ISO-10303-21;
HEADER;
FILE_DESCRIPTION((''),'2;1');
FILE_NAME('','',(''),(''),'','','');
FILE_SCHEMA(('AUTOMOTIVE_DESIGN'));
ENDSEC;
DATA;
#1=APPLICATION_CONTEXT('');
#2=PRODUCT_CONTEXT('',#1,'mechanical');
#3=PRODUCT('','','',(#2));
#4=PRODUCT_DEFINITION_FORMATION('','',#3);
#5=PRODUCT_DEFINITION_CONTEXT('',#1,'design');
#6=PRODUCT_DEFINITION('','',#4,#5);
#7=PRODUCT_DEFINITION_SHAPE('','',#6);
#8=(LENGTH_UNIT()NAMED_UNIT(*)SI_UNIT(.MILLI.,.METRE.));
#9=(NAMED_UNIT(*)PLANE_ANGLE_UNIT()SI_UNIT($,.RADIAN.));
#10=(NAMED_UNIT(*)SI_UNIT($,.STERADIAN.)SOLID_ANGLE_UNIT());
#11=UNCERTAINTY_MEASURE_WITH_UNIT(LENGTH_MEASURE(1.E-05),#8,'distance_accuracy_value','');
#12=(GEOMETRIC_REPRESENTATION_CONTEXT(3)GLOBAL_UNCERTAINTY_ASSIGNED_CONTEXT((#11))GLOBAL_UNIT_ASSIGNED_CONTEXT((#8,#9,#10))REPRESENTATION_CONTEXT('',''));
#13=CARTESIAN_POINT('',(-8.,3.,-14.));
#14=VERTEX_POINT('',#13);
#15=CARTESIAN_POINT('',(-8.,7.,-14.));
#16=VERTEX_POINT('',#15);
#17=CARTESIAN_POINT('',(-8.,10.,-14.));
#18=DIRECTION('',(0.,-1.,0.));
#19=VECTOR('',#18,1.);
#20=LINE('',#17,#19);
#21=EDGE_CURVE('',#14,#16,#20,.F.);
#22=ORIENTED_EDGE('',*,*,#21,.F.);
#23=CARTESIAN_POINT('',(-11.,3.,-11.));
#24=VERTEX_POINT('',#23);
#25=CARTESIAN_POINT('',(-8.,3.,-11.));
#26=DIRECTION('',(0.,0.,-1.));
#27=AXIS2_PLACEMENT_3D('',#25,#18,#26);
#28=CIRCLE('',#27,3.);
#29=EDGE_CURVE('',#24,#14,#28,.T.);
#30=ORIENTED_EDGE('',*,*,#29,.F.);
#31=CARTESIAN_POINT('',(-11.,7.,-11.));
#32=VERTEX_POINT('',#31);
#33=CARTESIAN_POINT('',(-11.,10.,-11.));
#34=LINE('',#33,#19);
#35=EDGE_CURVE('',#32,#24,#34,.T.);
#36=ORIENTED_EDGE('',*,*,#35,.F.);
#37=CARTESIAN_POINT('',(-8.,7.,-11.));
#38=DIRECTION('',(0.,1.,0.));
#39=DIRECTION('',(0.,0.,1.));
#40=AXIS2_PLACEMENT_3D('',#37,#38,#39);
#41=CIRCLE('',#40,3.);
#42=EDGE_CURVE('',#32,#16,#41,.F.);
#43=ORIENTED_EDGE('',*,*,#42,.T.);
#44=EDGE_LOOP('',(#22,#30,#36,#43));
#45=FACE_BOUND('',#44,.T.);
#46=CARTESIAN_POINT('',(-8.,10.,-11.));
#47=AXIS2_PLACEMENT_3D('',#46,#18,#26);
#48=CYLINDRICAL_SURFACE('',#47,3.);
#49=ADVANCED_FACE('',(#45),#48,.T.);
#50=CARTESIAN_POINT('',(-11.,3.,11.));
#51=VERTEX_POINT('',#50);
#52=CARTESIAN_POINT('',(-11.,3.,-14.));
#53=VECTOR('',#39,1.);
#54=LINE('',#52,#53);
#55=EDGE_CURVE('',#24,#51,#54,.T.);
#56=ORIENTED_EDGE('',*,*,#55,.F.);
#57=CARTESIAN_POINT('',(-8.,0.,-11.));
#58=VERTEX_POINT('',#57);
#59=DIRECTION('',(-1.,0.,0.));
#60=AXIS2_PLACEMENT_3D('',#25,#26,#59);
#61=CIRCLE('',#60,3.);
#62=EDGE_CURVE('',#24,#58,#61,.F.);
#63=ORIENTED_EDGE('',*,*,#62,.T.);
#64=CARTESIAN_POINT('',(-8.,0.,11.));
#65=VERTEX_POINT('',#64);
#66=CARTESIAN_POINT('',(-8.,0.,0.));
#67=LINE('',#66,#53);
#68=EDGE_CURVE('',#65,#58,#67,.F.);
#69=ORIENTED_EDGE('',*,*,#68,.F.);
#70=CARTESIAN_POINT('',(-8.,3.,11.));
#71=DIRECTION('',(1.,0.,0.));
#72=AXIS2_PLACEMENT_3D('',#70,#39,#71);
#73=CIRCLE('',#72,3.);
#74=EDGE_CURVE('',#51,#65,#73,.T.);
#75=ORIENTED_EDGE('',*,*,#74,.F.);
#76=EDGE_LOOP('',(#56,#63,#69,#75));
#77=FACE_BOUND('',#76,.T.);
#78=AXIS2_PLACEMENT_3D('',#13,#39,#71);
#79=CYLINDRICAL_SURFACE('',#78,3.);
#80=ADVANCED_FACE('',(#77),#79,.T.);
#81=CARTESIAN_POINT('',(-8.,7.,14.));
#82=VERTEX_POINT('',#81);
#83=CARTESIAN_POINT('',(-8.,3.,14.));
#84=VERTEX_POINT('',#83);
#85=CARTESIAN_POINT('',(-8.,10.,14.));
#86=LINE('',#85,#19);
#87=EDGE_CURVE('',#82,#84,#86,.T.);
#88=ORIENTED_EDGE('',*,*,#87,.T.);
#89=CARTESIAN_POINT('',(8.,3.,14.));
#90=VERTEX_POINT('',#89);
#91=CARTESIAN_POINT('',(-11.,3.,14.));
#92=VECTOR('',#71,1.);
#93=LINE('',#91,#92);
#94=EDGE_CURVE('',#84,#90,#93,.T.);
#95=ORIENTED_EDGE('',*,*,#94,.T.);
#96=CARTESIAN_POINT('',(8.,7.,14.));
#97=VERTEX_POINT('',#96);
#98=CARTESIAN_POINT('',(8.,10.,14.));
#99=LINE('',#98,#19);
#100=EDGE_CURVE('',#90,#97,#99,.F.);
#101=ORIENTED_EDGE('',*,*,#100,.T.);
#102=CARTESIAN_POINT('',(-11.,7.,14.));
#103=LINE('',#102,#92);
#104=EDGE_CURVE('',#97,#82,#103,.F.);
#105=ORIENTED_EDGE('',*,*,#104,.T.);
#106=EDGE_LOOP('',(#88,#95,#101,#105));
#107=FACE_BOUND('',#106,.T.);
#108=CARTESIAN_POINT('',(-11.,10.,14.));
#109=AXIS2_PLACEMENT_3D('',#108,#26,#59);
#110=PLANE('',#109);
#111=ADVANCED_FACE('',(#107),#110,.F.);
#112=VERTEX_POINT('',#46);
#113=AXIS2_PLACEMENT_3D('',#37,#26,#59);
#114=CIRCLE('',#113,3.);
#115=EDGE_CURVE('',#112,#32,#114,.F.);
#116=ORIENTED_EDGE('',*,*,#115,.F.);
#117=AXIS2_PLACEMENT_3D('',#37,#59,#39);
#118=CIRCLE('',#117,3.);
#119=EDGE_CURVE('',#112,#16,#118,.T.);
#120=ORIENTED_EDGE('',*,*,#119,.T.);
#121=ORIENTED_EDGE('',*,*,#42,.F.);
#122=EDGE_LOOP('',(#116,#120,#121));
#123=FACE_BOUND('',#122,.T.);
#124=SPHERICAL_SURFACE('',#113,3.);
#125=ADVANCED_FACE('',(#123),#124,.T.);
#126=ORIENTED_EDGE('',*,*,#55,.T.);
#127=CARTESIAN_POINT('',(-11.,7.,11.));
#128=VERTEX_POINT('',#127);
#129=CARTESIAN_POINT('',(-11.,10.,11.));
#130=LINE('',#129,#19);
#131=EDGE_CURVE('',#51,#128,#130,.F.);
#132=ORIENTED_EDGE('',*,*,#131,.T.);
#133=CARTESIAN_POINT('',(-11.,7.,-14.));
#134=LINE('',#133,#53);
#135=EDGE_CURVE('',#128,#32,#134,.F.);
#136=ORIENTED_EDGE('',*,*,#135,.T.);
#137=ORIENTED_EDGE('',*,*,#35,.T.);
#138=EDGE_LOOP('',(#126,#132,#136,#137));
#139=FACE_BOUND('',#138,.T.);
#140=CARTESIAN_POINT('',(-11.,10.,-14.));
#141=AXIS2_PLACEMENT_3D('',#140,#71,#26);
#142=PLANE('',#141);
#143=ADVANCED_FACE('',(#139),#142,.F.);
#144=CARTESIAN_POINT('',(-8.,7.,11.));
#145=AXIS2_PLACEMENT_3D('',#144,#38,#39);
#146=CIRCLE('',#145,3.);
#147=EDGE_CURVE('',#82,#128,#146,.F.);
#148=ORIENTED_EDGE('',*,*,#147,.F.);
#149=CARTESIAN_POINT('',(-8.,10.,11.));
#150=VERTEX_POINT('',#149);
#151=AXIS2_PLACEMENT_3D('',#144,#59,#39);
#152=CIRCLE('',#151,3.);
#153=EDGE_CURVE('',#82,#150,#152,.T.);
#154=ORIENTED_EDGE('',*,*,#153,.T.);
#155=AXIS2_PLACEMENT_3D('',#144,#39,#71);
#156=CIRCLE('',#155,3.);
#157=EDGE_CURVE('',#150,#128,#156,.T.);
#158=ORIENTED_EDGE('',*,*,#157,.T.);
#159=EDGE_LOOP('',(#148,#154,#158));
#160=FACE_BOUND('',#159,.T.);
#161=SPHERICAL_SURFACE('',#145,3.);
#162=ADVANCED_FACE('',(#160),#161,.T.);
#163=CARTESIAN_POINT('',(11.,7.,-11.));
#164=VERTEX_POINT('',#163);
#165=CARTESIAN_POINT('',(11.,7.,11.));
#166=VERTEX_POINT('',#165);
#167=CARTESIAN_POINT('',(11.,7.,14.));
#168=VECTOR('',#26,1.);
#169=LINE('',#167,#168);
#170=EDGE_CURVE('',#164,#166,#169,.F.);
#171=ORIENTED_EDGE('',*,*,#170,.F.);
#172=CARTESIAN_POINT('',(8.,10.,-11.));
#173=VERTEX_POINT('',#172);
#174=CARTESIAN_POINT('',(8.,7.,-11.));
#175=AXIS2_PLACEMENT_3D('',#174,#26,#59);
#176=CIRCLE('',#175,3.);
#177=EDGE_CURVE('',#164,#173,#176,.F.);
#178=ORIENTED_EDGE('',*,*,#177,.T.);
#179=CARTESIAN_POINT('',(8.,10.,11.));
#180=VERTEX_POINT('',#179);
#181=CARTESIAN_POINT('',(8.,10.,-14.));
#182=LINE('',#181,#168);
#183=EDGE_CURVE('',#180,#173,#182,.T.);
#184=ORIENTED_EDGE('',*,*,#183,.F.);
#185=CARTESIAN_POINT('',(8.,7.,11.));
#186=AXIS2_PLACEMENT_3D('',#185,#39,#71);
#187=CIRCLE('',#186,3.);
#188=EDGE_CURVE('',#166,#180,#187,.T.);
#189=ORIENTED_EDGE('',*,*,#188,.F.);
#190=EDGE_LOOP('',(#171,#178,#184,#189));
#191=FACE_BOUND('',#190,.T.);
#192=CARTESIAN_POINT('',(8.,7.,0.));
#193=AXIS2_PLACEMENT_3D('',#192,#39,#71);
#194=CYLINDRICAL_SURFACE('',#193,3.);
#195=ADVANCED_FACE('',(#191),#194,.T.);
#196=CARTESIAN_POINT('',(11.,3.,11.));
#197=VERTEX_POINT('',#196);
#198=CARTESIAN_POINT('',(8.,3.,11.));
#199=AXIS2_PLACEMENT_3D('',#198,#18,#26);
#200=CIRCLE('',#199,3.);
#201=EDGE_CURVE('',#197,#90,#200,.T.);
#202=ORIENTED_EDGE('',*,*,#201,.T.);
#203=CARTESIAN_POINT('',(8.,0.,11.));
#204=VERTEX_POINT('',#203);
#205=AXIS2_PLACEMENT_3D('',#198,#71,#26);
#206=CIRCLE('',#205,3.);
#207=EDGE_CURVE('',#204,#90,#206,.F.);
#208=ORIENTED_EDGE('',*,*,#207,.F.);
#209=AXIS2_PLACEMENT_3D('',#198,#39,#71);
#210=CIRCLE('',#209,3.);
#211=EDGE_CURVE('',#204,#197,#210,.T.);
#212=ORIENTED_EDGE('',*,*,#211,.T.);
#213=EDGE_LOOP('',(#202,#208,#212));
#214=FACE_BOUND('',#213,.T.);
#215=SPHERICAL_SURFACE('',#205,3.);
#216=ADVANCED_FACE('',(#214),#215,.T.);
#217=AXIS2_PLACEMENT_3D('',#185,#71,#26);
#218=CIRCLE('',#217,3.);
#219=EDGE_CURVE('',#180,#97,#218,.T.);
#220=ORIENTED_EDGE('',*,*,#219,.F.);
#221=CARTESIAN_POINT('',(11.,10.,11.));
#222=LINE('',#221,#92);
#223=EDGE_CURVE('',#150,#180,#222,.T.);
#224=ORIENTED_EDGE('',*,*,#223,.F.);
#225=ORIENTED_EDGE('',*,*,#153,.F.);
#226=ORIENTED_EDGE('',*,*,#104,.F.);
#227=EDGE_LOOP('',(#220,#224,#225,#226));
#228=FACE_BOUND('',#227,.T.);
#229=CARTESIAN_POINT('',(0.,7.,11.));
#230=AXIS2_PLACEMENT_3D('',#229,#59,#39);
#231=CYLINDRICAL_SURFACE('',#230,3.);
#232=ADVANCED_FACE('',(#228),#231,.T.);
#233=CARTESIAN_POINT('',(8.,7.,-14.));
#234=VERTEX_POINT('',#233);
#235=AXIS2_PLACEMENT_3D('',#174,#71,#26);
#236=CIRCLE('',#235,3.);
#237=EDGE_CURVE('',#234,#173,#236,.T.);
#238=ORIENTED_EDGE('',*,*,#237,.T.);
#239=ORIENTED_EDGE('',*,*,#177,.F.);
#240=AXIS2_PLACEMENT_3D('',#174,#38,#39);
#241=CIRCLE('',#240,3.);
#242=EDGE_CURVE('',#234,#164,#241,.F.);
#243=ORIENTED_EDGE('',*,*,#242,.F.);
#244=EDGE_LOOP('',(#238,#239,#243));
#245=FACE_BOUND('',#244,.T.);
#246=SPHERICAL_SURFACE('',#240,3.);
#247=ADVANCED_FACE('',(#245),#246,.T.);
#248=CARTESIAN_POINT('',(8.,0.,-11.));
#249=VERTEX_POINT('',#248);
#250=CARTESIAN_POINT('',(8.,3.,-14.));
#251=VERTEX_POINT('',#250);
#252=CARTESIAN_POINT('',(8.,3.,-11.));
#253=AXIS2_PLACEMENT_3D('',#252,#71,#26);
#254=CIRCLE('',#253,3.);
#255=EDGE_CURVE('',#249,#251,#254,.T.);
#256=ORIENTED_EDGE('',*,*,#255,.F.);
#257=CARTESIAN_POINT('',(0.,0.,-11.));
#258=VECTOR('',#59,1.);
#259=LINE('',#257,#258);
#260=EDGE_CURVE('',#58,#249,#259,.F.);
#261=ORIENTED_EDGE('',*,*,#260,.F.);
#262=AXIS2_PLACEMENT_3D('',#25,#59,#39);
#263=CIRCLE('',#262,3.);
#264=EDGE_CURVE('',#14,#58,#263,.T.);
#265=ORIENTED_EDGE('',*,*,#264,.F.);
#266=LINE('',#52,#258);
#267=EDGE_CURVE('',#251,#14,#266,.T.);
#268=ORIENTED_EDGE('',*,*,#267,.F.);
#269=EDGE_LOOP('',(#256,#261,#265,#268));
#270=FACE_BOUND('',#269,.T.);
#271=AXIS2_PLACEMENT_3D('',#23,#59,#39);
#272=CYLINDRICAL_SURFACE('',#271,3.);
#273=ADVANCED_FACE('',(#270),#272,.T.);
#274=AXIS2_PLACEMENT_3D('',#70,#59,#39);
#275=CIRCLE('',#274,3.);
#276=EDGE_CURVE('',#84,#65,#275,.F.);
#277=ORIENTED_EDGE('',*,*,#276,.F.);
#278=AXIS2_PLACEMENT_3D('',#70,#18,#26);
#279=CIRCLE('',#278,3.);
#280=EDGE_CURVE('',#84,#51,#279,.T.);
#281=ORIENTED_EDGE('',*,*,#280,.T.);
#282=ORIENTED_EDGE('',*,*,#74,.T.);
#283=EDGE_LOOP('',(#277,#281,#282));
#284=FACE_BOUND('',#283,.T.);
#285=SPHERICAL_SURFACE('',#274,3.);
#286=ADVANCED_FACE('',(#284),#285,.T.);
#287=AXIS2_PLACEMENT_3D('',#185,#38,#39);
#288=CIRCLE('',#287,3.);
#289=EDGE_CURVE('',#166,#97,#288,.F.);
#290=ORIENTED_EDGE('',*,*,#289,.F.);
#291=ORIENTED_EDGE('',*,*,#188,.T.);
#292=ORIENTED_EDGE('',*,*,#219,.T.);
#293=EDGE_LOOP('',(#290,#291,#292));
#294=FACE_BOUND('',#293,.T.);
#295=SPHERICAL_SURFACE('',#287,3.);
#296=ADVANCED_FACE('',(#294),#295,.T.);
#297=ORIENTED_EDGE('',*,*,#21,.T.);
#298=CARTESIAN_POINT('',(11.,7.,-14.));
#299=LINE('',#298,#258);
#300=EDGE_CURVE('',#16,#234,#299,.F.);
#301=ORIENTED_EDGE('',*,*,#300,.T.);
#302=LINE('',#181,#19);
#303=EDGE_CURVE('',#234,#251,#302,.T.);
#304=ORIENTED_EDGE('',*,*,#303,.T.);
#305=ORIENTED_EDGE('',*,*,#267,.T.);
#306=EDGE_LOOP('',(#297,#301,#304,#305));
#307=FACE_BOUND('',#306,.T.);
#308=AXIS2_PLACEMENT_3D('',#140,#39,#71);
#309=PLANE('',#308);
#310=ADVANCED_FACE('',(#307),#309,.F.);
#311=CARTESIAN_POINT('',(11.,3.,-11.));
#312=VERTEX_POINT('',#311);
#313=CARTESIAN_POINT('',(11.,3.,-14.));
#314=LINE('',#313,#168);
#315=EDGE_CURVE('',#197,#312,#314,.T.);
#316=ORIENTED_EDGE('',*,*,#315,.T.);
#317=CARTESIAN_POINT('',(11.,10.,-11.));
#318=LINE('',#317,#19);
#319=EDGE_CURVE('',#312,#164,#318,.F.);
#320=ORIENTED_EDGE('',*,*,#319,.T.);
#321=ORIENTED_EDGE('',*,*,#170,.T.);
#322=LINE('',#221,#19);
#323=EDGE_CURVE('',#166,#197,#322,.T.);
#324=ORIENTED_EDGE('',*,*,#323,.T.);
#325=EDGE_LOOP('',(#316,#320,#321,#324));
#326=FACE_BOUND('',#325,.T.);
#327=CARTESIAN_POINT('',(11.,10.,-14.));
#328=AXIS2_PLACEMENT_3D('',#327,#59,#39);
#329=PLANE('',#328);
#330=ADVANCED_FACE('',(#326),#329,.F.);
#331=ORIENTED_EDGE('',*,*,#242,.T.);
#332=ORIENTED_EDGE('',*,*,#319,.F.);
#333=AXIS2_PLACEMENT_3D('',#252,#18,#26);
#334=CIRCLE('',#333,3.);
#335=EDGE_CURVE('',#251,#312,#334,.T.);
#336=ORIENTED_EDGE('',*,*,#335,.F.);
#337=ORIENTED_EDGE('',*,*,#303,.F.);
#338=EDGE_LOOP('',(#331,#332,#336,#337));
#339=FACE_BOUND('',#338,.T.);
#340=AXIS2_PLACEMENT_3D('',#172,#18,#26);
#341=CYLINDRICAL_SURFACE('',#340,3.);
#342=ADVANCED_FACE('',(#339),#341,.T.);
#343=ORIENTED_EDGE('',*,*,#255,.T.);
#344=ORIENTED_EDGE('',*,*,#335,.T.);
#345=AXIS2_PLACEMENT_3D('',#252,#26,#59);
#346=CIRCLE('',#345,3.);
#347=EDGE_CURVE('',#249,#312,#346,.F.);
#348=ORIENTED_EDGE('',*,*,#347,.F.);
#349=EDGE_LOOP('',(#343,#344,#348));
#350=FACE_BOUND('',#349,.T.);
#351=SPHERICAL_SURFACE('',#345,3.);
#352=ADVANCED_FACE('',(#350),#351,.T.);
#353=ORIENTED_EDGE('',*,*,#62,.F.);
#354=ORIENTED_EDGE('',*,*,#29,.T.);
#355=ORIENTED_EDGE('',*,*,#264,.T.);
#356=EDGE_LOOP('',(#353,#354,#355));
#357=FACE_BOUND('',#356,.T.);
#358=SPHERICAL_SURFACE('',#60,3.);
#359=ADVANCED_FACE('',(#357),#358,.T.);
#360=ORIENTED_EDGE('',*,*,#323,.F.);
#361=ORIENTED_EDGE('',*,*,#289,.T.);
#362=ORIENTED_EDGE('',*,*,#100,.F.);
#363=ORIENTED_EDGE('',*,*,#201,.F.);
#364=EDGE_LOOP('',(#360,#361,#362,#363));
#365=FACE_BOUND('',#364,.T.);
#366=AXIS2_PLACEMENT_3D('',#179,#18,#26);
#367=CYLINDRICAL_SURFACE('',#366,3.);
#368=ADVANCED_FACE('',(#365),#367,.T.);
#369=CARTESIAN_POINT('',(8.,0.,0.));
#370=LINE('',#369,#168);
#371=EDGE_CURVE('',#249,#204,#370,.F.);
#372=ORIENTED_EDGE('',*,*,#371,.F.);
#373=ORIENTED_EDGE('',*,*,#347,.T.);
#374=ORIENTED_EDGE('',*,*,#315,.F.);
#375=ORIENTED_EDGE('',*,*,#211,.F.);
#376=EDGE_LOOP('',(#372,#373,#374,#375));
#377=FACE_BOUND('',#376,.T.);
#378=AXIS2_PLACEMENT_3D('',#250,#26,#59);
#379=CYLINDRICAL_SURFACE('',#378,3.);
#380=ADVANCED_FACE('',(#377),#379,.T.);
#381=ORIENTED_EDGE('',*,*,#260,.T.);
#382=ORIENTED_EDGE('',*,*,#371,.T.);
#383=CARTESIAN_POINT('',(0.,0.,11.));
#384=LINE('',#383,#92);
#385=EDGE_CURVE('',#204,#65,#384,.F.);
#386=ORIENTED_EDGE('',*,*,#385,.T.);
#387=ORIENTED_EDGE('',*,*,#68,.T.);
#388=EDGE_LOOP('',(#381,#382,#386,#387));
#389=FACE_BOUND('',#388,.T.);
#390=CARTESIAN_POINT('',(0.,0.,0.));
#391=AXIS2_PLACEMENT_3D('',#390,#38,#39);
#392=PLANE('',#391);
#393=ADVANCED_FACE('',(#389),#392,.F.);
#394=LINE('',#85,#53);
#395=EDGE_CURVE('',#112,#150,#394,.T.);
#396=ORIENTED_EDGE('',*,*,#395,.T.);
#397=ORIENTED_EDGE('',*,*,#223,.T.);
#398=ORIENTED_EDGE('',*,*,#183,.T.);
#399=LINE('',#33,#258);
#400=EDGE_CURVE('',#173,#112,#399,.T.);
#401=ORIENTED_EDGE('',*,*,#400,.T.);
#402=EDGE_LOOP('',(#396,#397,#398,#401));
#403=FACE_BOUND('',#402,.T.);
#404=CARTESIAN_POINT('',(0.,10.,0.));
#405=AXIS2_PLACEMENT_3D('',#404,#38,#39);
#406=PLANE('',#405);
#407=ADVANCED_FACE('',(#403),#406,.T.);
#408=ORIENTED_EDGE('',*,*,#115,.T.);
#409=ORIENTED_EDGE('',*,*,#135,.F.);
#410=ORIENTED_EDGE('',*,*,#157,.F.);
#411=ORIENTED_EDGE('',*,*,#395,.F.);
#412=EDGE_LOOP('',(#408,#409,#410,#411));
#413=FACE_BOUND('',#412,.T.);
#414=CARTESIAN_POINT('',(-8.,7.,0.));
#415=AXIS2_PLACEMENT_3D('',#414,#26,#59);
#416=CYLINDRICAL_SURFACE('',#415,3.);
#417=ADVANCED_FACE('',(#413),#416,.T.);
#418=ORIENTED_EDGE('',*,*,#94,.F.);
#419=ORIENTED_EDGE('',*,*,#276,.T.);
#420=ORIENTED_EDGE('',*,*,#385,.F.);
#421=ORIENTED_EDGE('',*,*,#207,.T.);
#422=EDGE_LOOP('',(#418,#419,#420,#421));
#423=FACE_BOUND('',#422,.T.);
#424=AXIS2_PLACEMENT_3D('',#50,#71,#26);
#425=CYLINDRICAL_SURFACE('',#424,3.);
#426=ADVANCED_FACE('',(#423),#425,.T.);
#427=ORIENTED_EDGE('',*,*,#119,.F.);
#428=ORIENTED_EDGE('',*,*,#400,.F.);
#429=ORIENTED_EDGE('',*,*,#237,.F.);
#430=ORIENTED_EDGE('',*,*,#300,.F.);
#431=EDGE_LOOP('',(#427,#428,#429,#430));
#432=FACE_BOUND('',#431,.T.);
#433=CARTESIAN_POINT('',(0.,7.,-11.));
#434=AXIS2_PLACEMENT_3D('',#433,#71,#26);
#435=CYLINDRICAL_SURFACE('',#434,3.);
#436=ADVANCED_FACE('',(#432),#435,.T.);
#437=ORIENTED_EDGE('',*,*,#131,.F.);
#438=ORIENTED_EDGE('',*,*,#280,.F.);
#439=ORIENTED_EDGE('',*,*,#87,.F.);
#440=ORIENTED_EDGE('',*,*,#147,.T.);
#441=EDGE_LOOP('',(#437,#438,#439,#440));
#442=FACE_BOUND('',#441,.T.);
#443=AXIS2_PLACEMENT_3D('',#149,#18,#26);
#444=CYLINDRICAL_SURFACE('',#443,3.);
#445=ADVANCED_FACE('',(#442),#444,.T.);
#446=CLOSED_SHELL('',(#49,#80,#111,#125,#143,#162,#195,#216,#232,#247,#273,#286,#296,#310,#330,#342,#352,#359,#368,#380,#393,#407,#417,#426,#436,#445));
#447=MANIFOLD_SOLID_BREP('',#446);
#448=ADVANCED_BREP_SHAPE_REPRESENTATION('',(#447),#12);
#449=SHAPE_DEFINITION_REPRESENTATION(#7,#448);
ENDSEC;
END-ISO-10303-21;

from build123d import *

# Parameters (mm, degrees)
SKETCH_1_W      = 22
SKETCH_1_H      = 28
EXTRUDE_1_DEPTH = 10
FILLET_1_R      = 3


with BuildPart() as part:
    # 草图1 → 凸台-拉伸1 (new body)
    with BuildSketch(Plane(origin=(0, 0, 0), x_dir=(1, 0, 0), z_dir=(0, 1, 0))):
        Rectangle(SKETCH_1_W, SKETCH_1_H)
    extrude(amount=EXTRUDE_1_DEPTH)

    # 圆角1
    fillet_1_edges = [part.edges().sort_by_distance(p)[0] for p in [
        (-11, 10, 0),
        (0, 10, 14),
        (11, 10, 0),
        (0, 0, 14),
        (-11, 0, 0),
        (0, 0, -14),
        (11, 0, 0),
        (11, 5, 14),
        (-11, 5, 14),
        (-11, 5, -14),
        (11, 5, -14),
        (0, 10, -14),
    ]]
    fillet(fillet_1_edges, radius=FILLET_1_R)


solid = part.part
